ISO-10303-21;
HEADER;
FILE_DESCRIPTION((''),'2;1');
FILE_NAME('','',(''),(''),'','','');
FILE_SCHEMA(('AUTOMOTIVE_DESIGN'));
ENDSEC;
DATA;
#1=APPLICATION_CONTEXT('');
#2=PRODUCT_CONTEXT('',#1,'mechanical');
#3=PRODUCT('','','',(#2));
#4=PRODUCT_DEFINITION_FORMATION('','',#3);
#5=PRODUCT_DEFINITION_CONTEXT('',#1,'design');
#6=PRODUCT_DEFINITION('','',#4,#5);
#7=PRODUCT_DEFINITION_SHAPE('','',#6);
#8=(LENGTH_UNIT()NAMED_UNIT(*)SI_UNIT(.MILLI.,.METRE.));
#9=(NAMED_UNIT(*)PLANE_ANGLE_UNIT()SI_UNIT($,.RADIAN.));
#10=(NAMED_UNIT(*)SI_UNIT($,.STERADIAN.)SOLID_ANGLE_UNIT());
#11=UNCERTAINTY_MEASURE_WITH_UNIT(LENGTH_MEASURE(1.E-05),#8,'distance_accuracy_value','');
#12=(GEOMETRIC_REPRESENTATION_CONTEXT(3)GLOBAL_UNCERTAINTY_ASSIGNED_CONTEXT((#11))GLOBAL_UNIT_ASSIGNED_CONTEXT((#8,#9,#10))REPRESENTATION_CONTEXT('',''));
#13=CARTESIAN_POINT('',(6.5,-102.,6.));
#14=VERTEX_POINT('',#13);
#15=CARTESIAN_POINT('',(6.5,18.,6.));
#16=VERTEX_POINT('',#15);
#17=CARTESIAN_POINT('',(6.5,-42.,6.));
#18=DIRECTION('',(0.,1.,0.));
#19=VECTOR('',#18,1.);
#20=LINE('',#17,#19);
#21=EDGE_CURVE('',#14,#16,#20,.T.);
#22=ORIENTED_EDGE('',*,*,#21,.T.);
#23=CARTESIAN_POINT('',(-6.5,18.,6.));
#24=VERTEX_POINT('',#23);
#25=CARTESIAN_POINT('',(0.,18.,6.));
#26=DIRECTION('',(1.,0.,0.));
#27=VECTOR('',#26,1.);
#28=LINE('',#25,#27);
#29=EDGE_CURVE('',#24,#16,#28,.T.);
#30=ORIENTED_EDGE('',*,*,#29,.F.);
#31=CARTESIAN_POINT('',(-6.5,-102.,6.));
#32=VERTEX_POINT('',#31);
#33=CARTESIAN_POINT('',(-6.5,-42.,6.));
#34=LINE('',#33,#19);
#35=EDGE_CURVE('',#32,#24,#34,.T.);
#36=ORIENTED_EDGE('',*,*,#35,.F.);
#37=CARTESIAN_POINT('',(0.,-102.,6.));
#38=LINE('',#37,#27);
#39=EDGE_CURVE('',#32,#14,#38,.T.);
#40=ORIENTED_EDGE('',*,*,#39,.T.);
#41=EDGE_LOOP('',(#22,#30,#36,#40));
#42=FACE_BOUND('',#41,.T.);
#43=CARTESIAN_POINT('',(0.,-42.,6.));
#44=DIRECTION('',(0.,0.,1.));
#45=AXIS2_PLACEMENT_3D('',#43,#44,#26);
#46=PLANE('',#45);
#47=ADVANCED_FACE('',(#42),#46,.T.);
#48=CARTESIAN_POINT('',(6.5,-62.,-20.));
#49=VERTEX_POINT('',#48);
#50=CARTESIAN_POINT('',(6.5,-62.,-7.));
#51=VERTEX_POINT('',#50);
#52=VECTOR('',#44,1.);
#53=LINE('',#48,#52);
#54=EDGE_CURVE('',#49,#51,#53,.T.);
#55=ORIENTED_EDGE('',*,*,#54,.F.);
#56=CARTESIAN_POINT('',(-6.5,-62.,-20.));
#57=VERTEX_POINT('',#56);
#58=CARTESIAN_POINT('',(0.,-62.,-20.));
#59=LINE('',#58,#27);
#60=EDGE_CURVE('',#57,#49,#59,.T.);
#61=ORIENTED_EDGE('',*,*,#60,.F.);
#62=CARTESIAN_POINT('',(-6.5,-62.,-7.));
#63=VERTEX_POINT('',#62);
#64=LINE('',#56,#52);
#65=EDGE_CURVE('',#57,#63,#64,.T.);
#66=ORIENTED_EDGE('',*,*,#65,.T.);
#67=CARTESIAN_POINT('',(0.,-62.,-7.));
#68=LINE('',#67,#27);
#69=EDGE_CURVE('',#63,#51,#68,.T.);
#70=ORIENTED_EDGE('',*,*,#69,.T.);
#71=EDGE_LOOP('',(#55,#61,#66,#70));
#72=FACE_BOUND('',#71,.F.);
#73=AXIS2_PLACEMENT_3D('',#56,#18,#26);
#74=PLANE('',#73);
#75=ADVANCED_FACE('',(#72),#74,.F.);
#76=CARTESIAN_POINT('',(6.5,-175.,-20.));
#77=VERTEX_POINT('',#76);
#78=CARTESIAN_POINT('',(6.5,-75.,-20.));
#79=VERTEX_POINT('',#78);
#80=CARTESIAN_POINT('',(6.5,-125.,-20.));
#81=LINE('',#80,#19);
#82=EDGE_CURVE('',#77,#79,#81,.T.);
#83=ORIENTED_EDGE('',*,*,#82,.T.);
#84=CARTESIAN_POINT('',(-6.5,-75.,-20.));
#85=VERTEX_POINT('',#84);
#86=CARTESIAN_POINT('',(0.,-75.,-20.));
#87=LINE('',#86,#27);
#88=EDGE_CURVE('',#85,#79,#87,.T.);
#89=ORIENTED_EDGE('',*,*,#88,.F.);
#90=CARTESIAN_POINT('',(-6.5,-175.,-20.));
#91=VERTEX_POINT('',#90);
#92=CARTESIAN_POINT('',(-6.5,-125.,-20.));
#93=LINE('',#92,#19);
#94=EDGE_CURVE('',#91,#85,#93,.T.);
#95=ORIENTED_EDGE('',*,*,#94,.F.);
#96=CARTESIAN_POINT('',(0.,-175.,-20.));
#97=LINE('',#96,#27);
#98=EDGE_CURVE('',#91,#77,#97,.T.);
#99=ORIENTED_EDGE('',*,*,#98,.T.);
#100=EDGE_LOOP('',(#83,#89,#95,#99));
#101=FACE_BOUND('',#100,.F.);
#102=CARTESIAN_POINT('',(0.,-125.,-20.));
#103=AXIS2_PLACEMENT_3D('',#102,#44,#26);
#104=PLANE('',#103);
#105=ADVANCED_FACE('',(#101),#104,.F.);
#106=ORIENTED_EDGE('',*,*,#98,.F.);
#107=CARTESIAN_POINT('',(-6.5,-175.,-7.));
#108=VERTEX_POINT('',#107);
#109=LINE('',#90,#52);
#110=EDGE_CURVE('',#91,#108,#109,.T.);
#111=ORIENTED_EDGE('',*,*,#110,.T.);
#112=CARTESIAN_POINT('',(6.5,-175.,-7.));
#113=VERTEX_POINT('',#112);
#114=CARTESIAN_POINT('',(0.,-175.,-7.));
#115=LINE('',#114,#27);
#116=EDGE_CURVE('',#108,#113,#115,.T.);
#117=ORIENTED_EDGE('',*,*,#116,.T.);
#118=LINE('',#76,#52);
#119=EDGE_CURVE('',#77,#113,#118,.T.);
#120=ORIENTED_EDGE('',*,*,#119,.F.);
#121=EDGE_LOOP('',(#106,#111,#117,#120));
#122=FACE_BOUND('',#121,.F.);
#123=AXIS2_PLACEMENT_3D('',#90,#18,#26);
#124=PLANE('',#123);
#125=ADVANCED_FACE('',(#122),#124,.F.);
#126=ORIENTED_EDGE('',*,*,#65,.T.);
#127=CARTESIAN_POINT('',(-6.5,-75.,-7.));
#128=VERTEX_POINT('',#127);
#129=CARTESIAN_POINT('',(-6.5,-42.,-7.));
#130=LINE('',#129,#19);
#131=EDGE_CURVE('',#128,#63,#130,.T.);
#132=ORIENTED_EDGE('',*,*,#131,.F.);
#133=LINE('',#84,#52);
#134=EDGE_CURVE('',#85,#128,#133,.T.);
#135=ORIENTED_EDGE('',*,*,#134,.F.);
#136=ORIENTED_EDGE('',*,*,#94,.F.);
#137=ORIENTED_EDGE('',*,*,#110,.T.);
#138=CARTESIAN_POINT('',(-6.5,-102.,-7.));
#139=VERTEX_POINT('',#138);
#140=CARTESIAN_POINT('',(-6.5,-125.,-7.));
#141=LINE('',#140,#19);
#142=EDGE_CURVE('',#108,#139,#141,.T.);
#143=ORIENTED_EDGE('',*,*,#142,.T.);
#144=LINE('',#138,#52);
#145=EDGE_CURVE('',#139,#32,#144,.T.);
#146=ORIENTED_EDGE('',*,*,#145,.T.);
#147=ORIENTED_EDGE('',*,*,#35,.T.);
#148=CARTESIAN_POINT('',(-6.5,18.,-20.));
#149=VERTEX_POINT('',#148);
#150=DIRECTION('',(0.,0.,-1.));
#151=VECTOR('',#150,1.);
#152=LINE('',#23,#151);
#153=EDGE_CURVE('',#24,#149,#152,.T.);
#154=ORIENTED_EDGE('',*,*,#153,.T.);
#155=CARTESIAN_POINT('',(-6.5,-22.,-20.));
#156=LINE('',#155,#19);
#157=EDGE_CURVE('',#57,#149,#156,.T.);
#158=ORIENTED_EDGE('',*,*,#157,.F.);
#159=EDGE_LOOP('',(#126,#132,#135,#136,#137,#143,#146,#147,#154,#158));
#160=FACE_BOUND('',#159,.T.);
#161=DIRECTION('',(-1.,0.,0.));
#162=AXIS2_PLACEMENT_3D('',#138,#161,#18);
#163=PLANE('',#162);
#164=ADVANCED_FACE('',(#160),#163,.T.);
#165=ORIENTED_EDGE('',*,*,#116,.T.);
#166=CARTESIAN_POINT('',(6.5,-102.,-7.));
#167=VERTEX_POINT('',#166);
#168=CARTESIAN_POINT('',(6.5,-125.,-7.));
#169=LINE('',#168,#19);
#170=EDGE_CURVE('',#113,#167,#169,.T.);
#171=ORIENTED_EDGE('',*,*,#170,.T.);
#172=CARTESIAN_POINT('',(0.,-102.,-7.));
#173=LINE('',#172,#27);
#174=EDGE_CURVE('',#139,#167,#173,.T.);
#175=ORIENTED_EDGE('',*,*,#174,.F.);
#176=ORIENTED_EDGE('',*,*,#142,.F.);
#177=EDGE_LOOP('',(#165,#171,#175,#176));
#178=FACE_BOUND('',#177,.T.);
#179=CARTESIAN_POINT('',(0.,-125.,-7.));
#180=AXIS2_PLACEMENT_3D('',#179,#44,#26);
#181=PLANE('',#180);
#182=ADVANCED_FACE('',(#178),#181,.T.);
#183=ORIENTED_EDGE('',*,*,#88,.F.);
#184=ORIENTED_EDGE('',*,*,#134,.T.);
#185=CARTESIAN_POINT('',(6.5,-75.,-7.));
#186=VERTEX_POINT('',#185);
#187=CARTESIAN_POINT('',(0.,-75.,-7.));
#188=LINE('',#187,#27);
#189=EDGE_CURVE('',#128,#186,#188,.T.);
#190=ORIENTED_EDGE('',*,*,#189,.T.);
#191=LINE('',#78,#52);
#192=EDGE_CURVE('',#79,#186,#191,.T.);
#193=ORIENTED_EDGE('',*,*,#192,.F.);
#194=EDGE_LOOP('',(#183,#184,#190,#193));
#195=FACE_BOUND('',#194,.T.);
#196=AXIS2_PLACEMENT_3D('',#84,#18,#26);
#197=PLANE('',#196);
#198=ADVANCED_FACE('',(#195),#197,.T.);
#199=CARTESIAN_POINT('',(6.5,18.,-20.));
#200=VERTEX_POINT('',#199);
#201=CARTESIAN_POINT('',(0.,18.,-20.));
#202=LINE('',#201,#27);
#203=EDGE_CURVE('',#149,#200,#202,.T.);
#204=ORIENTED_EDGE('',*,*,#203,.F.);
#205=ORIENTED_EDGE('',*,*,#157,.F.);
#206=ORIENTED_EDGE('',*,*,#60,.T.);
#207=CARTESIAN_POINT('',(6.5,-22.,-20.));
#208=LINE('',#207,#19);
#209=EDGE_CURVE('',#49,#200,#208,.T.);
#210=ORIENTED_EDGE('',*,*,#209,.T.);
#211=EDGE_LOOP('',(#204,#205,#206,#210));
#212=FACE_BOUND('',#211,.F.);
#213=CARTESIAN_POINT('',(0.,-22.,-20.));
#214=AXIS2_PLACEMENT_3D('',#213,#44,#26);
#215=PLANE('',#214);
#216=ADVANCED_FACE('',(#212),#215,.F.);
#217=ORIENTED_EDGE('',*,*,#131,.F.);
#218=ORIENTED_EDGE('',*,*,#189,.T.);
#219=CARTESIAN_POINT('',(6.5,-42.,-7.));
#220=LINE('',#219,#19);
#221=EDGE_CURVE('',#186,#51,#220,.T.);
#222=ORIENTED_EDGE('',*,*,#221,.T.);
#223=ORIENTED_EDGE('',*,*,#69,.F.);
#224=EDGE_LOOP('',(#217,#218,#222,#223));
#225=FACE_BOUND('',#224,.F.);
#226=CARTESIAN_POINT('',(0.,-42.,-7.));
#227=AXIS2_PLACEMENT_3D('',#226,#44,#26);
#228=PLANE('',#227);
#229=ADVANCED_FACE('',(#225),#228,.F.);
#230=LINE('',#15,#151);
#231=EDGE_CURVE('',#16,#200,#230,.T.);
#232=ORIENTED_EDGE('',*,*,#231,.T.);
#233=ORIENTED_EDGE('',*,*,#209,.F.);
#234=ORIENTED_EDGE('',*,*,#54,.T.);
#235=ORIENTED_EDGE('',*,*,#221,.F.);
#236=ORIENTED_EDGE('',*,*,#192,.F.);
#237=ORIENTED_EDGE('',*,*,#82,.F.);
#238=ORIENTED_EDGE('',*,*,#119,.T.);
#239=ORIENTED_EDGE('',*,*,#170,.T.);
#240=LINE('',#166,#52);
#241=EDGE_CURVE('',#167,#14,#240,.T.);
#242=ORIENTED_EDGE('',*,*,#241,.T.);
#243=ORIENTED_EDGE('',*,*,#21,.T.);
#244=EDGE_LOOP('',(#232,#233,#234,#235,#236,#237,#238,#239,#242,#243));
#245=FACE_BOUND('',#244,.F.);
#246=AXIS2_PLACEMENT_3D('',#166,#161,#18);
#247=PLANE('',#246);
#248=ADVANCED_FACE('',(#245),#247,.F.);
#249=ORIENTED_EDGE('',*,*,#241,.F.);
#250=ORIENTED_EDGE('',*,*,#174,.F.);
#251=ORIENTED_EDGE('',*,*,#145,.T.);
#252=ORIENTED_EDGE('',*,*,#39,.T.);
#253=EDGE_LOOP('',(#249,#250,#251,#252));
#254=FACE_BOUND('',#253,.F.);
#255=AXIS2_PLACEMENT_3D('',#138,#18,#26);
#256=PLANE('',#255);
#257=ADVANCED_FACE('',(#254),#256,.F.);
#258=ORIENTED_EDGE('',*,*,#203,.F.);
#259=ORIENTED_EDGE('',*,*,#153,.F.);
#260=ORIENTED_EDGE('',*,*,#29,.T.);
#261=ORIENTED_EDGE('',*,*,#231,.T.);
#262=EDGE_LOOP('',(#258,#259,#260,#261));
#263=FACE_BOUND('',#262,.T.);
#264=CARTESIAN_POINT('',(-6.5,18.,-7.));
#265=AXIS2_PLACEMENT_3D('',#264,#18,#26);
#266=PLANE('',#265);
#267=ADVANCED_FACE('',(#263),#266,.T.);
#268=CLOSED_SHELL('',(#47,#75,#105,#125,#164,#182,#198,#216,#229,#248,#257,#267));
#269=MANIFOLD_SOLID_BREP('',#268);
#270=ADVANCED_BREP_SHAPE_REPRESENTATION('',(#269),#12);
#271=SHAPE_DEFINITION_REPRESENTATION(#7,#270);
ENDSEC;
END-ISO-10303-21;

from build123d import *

# Parameters (mm, degrees)
BOX039_W     = 13
BOX039_H     = 120
BOX039_DEPTH = 13
BOX038_W     = 13
BOX038_H     = 80
BOX038_DEPTH = 13
BOX040_W     = 13
BOX040_H     = 100
BOX040_DEPTH = 13


with BuildPart() as cube035:
    # Box039 → Box039 (new body)
    with BuildSketch(Plane(origin=(-6.5, -102, -7), x_dir=(1, 0, 0), z_dir=(0, 0, 1))):
        with Locations((6.5, 60)):
            Rectangle(BOX039_W, BOX039_H)
    extrude(amount=BOX039_DEPTH)


with BuildPart() as fusion020:
    # Box038 → Box038 (new body)
    with BuildSketch(Plane(origin=(-6.5, -62, -20), x_dir=(1, 0, 0), z_dir=(0, 0, 1))):
        with Locations((6.5, 40)):
            Rectangle(BOX038_W, BOX038_H)
    extrude(amount=BOX038_DEPTH)

    # Fusion020: union Cube035
    add(cube035.part)


with BuildPart() as fusion025:
    # Box040 → Box040 (new body)
    with BuildSketch(Plane(origin=(-6.5, -175, -20), x_dir=(1, 0, 0), z_dir=(0, 0, 1))):
        with Locations((6.5, 50)):
            Rectangle(BOX040_W, BOX040_H)
    extrude(amount=BOX040_DEPTH)

    # Fusion025: union Fusion020
    add(fusion020.part)


solid = fusion025.part
